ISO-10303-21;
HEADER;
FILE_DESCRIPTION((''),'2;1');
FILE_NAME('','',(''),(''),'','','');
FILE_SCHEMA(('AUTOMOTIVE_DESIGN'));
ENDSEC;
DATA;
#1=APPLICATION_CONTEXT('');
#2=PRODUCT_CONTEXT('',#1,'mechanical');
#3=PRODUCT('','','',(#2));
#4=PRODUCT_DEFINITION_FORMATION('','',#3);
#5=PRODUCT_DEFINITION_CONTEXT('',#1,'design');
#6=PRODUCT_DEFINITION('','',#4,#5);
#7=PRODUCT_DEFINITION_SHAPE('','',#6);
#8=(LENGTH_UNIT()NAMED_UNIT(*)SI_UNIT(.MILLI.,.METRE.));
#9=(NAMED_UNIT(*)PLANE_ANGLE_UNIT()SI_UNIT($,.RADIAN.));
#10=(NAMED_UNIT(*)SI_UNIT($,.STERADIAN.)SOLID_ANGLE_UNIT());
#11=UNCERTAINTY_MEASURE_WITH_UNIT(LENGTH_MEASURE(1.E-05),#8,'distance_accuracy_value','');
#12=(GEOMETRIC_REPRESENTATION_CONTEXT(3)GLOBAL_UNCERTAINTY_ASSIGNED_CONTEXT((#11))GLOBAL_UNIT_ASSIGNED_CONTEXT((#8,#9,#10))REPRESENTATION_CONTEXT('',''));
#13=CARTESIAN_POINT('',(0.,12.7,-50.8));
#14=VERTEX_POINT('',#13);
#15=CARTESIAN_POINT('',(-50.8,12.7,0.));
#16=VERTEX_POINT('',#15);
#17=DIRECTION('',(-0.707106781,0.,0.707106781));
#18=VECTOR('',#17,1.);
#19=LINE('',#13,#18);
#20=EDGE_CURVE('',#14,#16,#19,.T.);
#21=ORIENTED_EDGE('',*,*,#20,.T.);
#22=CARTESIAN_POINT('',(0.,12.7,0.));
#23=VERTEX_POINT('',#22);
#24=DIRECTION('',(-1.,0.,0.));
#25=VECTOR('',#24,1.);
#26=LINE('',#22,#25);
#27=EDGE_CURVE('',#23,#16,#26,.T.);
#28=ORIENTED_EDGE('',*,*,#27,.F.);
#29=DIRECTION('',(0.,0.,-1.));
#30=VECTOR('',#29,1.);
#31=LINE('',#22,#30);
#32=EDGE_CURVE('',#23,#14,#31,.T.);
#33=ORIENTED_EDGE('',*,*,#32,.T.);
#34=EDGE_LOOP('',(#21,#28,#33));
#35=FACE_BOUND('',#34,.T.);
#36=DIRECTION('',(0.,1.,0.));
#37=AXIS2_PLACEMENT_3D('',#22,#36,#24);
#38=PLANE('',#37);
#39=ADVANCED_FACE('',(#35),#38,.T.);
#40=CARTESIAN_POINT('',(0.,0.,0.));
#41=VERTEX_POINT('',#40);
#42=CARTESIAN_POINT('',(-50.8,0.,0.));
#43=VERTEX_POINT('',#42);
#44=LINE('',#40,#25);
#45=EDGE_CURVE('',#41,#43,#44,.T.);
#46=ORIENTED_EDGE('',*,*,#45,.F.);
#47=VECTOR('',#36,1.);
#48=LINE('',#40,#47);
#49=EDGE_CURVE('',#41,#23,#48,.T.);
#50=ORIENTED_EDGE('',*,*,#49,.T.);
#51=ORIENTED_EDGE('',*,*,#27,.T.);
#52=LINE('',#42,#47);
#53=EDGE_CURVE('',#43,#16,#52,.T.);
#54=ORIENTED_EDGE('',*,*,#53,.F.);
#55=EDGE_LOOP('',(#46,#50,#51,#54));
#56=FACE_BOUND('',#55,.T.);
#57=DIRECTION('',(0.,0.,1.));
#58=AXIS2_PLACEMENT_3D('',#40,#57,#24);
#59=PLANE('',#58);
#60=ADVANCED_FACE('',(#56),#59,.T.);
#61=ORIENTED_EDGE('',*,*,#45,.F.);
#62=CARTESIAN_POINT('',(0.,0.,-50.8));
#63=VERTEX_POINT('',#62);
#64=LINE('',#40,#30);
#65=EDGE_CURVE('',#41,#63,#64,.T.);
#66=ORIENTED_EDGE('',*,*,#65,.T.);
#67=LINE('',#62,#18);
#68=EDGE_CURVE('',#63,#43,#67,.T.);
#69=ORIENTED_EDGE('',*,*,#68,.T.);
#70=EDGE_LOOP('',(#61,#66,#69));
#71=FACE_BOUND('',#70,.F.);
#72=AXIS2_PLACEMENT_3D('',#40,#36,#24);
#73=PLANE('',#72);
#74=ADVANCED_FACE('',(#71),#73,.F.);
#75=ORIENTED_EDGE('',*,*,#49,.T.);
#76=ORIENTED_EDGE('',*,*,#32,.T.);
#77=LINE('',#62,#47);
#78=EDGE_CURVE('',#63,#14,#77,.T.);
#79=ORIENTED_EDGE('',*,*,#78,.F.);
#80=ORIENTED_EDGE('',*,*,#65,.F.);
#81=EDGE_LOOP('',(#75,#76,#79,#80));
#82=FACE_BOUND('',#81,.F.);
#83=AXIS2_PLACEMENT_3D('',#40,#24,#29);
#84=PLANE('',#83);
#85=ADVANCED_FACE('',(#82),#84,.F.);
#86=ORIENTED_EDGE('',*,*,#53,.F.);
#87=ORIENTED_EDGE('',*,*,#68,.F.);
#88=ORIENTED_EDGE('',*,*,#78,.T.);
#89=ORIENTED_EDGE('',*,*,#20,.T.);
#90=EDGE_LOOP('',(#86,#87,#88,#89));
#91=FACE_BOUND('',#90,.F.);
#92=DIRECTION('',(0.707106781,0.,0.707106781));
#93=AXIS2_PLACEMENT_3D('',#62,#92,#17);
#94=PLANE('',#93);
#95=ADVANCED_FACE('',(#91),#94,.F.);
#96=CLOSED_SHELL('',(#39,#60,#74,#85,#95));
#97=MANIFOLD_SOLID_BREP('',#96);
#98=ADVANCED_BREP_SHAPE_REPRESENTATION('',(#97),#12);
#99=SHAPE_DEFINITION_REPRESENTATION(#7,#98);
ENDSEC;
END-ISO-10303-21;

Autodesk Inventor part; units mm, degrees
ref_plane "YZ Plane" through (0, 0, 0) normal (1, 0, 0) x (0, 1, 0)
ref_plane "XZ Plane" through (0, 0, 0) normal (0, 1, 0) x (-1, 0, 0)
ref_plane "XY Plane" through (0, 0, 0) normal (0, 0, 1) x (1, 0, 0)
sketch "Sketch1" plane through (0, 0, 0) normal (0, 1, 0) x (-1, 0, 0)
  line L0 (0, 0) -> (50.8, 0)
  line L1 (0, 0) -> (0, -50.8)
  line L2 (0, -50.8) -> (50.8, 0)
  dimension "d0" = 50.8
  dimension "d1" = 50.8
extrude "Extrusion1" add sketch "Sketch1" along normal blind 12.7
properties part number "BottomHolder" material "Wood (Birch)"
